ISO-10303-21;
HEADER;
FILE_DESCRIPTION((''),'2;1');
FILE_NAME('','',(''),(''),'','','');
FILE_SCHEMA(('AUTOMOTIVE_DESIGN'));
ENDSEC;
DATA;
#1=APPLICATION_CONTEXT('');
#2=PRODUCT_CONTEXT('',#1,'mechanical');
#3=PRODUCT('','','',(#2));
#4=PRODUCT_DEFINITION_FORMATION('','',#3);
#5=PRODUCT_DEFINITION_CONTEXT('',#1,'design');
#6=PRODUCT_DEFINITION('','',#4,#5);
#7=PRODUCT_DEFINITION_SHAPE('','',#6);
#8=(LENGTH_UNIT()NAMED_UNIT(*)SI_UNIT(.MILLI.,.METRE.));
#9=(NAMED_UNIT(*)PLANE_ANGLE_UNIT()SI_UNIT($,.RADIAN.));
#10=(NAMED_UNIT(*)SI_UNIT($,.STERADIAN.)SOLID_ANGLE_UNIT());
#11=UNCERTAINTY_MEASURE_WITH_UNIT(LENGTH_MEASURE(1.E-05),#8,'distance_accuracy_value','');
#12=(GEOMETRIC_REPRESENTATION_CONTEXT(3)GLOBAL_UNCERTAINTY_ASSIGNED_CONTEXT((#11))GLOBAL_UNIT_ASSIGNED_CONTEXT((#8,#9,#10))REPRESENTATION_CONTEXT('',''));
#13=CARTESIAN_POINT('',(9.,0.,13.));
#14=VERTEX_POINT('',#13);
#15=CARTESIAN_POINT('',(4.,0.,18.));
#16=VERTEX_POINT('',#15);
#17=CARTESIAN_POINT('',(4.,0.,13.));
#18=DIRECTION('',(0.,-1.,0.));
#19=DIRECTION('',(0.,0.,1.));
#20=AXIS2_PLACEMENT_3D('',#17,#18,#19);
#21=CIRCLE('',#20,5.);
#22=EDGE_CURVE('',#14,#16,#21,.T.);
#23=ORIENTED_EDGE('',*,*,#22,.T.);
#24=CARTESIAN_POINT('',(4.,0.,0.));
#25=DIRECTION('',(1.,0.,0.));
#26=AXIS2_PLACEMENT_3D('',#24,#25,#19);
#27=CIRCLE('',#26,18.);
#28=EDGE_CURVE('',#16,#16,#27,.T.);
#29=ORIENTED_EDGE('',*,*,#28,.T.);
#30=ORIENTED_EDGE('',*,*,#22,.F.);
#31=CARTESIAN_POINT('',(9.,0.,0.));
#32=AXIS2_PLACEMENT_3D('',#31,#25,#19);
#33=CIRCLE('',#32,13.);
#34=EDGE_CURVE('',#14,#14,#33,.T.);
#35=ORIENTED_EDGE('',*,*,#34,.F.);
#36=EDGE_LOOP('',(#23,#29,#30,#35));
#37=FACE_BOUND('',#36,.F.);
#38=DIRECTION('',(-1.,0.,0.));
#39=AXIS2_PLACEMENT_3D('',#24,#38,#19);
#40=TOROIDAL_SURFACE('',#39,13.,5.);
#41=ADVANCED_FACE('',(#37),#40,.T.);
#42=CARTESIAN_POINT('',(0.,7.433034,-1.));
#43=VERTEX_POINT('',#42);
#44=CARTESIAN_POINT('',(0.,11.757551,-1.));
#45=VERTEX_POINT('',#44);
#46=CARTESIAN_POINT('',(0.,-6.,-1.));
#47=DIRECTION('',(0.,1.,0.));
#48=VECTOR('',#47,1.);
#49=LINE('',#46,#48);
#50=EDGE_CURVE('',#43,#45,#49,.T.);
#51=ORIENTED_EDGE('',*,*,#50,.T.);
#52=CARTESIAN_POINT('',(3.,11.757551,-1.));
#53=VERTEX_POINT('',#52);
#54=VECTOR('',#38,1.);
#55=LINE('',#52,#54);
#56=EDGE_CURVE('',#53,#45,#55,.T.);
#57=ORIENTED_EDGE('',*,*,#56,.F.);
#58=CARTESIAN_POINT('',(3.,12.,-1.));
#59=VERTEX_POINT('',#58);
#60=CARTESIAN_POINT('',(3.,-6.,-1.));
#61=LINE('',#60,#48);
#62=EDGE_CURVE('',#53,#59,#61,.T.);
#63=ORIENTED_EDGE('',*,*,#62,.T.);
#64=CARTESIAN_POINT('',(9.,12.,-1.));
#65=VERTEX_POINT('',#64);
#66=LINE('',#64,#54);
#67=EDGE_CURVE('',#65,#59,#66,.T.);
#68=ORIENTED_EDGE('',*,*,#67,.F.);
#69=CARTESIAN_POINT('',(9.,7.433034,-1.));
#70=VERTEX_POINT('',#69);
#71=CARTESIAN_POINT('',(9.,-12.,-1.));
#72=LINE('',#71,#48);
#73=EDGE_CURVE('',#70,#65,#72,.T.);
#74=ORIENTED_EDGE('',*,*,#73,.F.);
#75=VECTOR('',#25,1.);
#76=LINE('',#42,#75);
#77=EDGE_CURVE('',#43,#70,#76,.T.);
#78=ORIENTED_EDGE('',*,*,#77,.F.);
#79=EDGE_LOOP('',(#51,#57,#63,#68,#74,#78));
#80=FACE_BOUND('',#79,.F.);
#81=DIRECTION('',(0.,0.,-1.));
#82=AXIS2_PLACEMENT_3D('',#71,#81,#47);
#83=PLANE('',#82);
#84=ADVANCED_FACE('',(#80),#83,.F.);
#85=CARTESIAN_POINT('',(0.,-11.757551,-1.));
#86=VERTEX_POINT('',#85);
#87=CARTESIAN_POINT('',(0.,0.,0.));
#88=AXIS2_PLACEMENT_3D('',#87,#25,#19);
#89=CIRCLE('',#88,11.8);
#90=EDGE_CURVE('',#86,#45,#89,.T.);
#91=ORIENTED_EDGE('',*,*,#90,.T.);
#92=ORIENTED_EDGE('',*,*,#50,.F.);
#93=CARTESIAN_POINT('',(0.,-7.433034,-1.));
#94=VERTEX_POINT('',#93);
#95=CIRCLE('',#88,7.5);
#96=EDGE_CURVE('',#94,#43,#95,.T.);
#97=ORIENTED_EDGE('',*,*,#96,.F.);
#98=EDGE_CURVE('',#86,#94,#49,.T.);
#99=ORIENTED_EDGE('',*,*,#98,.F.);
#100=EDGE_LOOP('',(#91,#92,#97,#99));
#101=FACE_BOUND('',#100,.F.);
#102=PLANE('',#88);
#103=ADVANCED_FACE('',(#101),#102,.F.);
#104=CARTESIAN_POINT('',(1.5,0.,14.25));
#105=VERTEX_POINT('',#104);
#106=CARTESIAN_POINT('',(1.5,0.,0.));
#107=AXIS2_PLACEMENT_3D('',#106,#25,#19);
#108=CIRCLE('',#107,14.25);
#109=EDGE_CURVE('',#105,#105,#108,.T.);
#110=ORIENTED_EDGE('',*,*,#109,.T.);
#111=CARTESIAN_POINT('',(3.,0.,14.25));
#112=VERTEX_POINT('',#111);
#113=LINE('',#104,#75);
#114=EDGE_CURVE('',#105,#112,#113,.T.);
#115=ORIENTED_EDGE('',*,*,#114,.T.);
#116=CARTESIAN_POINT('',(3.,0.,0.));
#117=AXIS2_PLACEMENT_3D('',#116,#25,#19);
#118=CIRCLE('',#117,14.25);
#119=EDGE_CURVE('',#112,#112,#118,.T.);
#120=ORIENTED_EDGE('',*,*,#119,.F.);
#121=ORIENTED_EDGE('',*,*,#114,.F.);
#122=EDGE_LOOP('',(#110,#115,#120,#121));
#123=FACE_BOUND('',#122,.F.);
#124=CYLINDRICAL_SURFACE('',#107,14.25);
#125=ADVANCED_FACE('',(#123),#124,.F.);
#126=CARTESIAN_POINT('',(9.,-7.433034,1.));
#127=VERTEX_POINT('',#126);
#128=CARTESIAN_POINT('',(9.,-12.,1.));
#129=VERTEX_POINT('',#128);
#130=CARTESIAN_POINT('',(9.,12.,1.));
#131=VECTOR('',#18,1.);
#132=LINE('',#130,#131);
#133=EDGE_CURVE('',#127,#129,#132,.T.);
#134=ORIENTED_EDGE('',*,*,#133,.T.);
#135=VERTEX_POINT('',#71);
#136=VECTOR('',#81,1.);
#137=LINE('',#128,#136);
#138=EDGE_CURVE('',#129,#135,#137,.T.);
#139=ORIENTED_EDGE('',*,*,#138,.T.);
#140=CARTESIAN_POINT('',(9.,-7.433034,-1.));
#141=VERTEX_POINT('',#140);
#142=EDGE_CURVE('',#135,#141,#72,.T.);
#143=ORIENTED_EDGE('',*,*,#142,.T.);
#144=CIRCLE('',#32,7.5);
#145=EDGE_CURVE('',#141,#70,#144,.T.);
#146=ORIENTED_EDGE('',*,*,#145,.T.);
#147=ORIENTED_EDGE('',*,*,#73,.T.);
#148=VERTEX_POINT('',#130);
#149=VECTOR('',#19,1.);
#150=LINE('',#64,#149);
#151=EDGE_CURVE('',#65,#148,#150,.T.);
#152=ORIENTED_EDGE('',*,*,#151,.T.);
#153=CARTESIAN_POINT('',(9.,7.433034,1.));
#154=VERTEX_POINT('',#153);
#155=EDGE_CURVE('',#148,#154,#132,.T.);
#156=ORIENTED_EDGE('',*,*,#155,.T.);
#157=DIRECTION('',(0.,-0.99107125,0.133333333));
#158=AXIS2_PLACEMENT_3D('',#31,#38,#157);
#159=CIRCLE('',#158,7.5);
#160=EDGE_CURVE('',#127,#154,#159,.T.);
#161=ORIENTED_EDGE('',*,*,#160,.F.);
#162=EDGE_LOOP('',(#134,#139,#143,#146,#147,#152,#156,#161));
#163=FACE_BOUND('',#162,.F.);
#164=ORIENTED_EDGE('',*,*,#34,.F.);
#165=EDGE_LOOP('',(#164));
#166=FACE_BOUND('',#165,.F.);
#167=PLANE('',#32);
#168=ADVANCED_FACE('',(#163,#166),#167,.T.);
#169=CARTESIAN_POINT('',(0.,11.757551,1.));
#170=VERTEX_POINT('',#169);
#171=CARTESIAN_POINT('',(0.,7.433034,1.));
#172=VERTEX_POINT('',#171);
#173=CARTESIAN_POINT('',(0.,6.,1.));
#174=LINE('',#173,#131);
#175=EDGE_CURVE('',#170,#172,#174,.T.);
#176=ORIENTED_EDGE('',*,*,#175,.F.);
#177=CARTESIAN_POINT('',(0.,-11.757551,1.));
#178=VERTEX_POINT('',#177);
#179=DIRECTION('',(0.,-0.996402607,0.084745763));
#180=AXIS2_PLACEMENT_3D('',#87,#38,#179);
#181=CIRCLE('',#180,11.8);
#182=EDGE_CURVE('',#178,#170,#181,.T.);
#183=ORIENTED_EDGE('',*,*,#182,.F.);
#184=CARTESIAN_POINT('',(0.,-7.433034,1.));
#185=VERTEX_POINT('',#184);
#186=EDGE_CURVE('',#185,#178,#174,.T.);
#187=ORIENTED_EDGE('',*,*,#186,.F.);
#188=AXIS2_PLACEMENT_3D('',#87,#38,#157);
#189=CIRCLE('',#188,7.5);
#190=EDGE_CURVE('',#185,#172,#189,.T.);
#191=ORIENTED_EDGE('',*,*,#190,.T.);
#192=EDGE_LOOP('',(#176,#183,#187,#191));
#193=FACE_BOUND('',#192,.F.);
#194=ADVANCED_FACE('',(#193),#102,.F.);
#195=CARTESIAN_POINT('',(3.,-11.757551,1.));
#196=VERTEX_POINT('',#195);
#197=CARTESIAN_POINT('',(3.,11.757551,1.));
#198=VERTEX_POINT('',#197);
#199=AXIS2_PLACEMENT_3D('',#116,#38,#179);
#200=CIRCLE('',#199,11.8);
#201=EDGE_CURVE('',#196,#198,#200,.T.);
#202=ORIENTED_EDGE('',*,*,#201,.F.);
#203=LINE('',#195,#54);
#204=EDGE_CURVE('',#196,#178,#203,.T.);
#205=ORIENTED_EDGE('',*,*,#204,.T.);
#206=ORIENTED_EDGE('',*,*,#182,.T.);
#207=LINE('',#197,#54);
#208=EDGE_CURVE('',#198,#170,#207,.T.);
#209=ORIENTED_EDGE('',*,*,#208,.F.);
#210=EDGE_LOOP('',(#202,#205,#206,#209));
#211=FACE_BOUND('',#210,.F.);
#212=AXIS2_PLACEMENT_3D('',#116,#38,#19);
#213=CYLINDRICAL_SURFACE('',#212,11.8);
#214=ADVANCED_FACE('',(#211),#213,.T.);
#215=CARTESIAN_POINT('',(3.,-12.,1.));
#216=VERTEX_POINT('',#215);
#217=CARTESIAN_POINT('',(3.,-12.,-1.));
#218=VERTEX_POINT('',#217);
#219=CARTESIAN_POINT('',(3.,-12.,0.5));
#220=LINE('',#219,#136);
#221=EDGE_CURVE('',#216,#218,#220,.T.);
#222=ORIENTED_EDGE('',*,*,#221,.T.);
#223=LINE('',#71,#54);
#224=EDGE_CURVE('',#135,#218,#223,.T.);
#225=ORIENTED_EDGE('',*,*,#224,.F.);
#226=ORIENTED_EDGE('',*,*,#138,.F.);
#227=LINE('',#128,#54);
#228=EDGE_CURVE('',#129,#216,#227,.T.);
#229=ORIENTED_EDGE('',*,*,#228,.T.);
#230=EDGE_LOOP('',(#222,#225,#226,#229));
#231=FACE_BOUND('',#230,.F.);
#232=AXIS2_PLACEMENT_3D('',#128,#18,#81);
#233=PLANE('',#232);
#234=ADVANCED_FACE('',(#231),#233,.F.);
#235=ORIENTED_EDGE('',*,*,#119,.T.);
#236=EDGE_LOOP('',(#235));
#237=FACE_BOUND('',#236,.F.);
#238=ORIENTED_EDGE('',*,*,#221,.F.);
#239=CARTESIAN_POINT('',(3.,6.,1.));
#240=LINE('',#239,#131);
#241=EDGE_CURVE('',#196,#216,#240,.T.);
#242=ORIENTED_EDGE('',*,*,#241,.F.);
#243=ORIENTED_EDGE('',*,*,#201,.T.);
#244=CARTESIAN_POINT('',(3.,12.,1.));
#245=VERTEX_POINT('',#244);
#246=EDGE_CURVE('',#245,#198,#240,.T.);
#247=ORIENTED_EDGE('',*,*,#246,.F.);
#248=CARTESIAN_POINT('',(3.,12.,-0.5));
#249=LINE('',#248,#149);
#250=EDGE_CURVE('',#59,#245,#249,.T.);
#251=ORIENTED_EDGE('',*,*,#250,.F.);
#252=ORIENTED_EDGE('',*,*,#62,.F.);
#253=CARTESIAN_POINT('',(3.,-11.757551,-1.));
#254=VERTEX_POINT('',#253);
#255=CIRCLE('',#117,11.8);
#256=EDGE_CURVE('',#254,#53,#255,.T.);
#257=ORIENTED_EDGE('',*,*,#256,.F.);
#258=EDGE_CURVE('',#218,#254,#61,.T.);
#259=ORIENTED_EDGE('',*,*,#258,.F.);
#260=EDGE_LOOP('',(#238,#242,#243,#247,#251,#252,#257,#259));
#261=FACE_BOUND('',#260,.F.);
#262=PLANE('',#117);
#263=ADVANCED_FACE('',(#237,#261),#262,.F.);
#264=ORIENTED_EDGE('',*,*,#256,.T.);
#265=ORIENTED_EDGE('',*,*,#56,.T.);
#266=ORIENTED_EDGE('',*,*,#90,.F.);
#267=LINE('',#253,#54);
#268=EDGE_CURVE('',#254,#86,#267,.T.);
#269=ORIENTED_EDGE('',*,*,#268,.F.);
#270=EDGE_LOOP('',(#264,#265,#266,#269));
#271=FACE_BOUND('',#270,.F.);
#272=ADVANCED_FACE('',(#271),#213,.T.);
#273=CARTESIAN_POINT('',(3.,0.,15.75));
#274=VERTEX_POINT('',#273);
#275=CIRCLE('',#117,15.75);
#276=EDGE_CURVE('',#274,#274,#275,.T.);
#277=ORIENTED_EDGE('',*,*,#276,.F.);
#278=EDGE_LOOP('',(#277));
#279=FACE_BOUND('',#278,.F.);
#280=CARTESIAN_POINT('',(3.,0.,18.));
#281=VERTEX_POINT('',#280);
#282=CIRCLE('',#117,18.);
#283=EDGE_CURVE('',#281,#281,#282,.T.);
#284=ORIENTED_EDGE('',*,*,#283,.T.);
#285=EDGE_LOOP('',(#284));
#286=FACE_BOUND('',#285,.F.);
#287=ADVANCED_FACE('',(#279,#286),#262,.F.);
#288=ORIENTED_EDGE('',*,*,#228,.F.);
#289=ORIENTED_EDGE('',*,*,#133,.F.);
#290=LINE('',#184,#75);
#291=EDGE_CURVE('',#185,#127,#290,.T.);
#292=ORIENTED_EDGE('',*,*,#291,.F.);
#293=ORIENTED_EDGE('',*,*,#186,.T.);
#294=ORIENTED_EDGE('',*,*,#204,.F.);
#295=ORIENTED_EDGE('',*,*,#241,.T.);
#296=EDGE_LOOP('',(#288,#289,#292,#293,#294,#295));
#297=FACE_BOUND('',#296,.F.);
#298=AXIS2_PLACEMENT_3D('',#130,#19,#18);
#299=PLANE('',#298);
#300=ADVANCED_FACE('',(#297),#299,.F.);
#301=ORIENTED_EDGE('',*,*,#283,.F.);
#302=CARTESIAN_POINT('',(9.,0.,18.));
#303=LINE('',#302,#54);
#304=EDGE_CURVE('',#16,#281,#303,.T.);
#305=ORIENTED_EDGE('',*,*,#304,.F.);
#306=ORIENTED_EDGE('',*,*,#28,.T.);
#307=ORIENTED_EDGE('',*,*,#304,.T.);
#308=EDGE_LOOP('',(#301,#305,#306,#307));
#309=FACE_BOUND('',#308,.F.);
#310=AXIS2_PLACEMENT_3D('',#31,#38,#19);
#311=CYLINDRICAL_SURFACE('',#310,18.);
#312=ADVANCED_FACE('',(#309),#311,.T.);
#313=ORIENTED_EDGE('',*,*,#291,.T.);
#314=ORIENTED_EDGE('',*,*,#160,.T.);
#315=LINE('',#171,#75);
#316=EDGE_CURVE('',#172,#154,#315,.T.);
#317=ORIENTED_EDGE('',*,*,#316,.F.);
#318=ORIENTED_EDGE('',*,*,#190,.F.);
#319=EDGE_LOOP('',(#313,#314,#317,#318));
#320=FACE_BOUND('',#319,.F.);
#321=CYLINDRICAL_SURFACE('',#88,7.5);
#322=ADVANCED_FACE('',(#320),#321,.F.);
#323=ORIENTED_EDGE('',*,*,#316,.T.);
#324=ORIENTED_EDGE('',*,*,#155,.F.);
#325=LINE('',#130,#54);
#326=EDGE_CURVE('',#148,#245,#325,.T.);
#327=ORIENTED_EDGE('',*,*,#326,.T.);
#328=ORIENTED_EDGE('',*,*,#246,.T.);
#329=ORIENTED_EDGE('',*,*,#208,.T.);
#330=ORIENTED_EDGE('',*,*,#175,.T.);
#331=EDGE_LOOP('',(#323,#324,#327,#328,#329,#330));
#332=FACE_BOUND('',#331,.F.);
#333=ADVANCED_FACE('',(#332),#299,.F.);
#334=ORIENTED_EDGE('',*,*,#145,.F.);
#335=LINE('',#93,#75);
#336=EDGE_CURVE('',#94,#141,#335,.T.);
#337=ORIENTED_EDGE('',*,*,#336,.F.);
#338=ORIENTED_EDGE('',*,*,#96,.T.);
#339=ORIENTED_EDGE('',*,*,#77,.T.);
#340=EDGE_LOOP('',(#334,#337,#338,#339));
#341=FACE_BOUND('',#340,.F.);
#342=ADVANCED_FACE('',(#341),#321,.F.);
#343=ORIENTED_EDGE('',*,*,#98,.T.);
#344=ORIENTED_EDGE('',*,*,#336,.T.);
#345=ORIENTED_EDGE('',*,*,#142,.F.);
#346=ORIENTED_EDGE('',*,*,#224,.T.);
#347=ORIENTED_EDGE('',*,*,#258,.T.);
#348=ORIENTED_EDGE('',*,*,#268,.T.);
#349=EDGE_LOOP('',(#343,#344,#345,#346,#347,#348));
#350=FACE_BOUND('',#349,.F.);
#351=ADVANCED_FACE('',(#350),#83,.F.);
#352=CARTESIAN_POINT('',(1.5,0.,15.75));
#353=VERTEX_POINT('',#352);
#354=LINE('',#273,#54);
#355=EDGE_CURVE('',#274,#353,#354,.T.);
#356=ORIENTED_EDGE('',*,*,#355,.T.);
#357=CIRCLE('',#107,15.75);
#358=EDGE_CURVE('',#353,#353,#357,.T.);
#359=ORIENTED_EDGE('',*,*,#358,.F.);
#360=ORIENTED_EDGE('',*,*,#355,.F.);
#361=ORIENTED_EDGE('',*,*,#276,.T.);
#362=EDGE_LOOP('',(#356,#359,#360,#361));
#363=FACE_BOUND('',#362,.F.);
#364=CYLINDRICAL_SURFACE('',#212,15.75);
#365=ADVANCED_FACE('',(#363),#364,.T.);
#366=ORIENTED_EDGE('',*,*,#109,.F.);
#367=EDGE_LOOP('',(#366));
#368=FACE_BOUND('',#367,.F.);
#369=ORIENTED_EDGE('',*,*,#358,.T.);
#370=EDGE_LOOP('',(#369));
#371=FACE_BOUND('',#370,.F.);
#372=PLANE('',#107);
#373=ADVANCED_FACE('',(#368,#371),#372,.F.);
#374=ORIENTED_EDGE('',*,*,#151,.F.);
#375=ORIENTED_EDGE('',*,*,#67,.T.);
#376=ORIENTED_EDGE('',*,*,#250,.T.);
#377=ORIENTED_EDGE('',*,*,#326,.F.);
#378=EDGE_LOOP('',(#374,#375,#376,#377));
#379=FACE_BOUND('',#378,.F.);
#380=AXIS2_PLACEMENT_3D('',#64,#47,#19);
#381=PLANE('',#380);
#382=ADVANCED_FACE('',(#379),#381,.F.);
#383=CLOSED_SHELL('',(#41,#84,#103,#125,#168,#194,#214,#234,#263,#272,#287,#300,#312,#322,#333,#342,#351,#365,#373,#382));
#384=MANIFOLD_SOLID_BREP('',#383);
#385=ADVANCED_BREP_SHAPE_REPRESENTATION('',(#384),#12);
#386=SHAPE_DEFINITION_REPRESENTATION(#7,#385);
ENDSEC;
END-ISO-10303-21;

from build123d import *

# Parameters (mm, degrees)
F2_R     = 5
F4_DEPTH = 9.001


with BuildPart() as f1:
    # F0 (on Front) → F1 (revolve)
    with BuildSketch(Plane.XZ):
        Polygon((0, 11.8), (0, 7.5), (9, 7.5), (9, 18), (3, 18), (3, 15.75), (1.5, 15.75), (1.5, 14.25), (3, 14.25), (3, 11.8), align=None)
    revolve(axis=Axis((4.5, 0, 0), (1, 0, 0)))

    # F2
    f2_edges = [f1.edges().sort_by_distance(p)[0] for p in [
        (9, 0, -18),
    ]]
    fillet(f2_edges, radius=F2_R)

    # F3 (on face) → F4 (cut, through all)
    with BuildSketch(Plane.YZ.offset(9)):
        with BuildLine():
            Line((-7.433034, 1), (-12, 1))
            Line((-12, 1), (-12, -1))
            Line((-12, -1), (-7.433034, -1))
            ThreePointArc((-7.433034, -1), (-7.5, 0), (-7.433034, 1))
        make_face()
        with BuildLine():
            Line((7.433034, 1), (-7.433034, 1))
            ThreePointArc((-7.433034, 1), (-7.5, 0), (-7.433034, -1))
            Line((-7.433034, -1), (7.433034, -1))
            ThreePointArc((7.433034, -1), (7.48324, -0.50112), (7.5, 0))
            ThreePointArc((7.5, 0), (7.48324, 0.50112), (7.433034, 1))
        make_face()
        with BuildLine():
            Line((12, 1), (7.433034, 1))
            ThreePointArc((7.433034, 1), (7.48324, 0.50112), (7.5, 0))
            ThreePointArc((7.5, 0), (7.48324, -0.50112), (7.433034, -1))
            Line((7.433034, -1), (12, -1))
            Line((12, -1), (12, 1))
        make_face()
    extrude(amount=-F4_DEPTH, mode=Mode.SUBTRACT)


solid = f1.part
